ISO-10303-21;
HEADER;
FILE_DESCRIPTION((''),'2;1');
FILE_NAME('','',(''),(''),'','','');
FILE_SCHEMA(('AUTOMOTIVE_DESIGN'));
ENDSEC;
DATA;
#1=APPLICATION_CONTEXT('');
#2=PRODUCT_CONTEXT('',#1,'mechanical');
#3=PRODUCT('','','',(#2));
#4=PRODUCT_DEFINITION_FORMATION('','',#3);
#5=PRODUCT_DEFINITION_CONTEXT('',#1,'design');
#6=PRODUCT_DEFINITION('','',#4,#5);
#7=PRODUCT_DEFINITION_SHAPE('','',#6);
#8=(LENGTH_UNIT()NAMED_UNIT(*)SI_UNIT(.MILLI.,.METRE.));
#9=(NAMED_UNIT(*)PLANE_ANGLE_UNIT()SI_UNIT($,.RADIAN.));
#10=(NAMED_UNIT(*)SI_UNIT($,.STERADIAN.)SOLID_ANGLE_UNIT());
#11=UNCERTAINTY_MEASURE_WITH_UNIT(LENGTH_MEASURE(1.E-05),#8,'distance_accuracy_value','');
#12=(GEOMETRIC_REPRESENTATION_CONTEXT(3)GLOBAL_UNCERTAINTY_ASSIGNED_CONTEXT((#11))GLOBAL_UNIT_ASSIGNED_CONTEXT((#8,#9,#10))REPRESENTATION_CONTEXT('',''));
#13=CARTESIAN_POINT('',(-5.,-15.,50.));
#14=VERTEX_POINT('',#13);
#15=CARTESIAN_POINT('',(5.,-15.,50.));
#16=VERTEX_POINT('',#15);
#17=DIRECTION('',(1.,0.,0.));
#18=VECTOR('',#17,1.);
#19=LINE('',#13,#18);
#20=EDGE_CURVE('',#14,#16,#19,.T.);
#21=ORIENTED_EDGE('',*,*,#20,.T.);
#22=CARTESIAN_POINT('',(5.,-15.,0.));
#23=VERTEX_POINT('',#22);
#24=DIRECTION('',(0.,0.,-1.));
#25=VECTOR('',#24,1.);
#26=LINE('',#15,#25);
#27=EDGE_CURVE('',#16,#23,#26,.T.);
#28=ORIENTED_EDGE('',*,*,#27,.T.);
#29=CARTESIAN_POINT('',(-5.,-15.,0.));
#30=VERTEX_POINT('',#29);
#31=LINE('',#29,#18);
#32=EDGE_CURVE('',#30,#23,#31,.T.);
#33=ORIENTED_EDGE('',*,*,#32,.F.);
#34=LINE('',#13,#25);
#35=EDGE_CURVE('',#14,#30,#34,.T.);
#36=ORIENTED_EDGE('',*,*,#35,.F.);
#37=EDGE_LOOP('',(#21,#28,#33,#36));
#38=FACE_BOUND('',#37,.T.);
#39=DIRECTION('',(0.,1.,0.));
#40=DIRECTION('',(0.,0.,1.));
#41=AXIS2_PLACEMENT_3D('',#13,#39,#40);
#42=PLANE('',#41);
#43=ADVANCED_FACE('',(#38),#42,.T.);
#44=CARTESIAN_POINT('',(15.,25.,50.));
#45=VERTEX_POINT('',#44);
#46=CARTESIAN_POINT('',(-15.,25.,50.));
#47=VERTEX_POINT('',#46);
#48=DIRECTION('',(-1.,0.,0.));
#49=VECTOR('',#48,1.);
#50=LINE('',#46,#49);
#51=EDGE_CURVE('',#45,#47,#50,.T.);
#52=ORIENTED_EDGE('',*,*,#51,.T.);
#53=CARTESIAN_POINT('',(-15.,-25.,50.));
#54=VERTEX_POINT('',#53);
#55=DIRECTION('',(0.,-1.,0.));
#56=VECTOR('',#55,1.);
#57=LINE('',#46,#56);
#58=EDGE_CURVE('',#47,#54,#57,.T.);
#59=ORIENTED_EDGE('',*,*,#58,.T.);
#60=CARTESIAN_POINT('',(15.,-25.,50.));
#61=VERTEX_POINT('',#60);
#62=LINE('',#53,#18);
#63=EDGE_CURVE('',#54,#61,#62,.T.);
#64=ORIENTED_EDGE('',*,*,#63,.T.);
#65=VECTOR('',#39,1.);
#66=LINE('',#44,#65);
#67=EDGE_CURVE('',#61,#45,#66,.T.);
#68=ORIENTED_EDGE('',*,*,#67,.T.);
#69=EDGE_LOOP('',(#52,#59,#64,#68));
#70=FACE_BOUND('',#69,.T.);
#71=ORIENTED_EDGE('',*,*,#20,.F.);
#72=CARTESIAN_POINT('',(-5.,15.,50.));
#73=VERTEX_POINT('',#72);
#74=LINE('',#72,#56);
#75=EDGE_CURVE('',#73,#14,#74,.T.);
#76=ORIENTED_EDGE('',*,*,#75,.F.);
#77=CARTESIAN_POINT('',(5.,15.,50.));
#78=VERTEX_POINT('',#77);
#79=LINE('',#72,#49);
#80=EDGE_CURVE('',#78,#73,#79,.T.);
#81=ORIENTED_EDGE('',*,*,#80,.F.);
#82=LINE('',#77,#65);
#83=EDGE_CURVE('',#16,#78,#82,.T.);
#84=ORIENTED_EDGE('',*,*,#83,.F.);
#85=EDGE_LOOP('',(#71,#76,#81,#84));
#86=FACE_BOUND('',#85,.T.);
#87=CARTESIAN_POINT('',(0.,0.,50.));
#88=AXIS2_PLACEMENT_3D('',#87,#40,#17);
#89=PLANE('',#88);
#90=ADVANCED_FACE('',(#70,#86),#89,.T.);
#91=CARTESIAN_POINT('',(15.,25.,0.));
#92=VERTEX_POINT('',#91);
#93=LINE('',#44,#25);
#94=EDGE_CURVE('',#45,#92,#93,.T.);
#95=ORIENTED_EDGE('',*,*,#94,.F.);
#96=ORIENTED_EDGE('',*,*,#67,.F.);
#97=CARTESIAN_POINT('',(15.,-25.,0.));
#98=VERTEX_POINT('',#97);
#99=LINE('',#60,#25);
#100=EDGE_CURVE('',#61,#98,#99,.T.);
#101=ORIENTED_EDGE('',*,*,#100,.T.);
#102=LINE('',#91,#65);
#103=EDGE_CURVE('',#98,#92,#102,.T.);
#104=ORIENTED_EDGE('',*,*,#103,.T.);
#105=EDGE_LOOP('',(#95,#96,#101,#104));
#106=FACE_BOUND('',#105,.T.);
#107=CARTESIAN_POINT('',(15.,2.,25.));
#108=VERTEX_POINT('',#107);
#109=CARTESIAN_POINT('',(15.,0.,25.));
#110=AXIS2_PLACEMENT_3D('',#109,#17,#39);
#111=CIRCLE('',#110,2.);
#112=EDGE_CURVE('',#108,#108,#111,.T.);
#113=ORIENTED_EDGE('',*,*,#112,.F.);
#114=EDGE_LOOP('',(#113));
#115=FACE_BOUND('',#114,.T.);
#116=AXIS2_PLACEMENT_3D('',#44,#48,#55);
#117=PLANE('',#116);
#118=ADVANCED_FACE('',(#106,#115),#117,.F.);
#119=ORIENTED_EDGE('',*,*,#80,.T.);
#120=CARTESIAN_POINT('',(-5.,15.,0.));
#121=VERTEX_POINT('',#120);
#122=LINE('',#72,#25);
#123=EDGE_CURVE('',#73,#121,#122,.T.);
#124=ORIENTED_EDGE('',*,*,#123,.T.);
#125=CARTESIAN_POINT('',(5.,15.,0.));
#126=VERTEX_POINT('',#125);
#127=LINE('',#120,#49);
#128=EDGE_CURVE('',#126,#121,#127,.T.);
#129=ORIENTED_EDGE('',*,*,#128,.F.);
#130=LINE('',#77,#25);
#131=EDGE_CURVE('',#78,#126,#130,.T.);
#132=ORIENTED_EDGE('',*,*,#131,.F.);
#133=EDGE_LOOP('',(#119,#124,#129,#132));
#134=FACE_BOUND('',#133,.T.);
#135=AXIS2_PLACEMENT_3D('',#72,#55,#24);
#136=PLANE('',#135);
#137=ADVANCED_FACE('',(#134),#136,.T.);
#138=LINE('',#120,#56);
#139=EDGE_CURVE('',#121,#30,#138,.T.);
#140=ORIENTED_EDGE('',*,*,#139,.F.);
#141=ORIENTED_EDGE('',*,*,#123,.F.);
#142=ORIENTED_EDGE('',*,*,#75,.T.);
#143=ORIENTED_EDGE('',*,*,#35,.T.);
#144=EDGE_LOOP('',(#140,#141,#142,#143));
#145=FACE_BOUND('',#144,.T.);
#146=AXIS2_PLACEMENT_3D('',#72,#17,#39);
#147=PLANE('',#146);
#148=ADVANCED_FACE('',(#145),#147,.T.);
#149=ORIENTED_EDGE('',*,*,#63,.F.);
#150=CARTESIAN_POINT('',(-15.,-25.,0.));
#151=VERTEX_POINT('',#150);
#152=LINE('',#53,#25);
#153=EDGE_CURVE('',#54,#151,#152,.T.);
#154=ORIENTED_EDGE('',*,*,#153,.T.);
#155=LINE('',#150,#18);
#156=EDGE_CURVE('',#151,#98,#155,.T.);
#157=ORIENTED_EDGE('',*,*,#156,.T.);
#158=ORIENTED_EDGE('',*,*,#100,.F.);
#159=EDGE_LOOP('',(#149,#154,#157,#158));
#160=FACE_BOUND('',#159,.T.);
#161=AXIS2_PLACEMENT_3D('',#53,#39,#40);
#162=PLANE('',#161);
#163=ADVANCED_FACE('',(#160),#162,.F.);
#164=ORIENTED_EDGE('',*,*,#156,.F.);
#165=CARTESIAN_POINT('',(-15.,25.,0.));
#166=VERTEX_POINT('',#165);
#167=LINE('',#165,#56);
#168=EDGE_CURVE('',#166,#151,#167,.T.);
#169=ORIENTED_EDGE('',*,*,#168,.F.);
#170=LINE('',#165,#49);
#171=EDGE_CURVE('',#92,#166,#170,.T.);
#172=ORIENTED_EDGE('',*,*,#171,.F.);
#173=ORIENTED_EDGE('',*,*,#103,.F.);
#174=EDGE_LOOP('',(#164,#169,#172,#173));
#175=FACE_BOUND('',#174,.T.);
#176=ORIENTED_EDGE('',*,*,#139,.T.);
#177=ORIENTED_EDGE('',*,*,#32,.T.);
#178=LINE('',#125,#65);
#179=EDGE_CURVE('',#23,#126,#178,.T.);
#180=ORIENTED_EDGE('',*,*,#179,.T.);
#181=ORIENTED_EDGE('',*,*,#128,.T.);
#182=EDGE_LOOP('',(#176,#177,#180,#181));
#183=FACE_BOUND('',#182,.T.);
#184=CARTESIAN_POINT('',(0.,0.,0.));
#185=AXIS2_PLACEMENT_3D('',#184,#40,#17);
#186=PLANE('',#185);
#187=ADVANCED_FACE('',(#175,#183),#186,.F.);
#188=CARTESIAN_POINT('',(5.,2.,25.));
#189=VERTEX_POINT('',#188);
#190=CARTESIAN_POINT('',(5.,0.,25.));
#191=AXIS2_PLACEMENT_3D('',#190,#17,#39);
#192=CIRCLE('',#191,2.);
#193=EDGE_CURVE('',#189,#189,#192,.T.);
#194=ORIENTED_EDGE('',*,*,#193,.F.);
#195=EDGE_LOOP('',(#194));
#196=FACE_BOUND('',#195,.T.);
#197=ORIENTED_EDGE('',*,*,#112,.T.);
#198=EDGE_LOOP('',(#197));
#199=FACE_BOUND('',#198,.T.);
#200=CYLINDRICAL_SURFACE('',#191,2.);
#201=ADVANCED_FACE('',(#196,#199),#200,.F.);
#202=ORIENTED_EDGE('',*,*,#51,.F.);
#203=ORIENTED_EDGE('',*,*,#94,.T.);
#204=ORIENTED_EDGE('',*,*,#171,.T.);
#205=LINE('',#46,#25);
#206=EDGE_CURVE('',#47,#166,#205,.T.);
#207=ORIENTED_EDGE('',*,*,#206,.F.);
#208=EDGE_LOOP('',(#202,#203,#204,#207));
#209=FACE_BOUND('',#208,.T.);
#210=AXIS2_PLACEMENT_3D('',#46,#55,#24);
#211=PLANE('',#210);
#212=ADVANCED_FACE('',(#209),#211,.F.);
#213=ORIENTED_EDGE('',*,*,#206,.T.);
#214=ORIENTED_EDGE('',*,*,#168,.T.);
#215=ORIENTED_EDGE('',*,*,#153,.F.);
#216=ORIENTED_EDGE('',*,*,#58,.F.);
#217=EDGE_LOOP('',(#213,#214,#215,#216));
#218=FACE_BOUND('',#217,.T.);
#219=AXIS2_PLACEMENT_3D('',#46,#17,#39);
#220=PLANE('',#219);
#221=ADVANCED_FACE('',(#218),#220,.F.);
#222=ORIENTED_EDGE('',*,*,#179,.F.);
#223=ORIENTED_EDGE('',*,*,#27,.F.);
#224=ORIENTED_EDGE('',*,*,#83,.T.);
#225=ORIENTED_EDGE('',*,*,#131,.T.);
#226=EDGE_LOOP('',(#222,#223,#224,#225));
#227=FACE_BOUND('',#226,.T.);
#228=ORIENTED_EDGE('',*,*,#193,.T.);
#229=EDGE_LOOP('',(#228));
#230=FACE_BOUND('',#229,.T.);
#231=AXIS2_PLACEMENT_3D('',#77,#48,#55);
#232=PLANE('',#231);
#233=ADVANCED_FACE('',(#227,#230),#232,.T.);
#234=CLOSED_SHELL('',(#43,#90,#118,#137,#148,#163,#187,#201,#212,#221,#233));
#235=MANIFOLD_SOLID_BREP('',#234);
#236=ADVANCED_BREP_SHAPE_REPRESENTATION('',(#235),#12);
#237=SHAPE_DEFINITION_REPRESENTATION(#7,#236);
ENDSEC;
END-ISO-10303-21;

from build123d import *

# Parameters (mm, degrees)
SKETCH1_W           = 30
SKETCH1_H           = 50
SKETCH1_W_2         = 10
SKETCH1_H_2         = 30
BOSS_EXTRUDE2_DEPTH = 50
SKETCH2_R           = 2
CUT_EXTRUDE1_DEPTH  = 10


with BuildPart() as part:
    # Sketch1 → Boss-Extrude2 (new body)
    with BuildSketch(Plane.XY):
        Rectangle(SKETCH1_W, SKETCH1_H)
        Rectangle(SKETCH1_W_2, SKETCH1_H_2, mode=Mode.SUBTRACT)
    extrude(amount=BOSS_EXTRUDE2_DEPTH)

    # Sketch2 → Cut-Extrude1 (cut)
    with BuildSketch(Plane(origin=(15, 0, 0), x_dir=(0, 0, -1), z_dir=(1, 0, 0))):
        with Locations(Location((-25, 0, 0), (0, 0, 90))):
            Circle(SKETCH2_R)
    extrude(amount=-CUT_EXTRUDE1_DEPTH, mode=Mode.SUBTRACT)


solid = part.part
